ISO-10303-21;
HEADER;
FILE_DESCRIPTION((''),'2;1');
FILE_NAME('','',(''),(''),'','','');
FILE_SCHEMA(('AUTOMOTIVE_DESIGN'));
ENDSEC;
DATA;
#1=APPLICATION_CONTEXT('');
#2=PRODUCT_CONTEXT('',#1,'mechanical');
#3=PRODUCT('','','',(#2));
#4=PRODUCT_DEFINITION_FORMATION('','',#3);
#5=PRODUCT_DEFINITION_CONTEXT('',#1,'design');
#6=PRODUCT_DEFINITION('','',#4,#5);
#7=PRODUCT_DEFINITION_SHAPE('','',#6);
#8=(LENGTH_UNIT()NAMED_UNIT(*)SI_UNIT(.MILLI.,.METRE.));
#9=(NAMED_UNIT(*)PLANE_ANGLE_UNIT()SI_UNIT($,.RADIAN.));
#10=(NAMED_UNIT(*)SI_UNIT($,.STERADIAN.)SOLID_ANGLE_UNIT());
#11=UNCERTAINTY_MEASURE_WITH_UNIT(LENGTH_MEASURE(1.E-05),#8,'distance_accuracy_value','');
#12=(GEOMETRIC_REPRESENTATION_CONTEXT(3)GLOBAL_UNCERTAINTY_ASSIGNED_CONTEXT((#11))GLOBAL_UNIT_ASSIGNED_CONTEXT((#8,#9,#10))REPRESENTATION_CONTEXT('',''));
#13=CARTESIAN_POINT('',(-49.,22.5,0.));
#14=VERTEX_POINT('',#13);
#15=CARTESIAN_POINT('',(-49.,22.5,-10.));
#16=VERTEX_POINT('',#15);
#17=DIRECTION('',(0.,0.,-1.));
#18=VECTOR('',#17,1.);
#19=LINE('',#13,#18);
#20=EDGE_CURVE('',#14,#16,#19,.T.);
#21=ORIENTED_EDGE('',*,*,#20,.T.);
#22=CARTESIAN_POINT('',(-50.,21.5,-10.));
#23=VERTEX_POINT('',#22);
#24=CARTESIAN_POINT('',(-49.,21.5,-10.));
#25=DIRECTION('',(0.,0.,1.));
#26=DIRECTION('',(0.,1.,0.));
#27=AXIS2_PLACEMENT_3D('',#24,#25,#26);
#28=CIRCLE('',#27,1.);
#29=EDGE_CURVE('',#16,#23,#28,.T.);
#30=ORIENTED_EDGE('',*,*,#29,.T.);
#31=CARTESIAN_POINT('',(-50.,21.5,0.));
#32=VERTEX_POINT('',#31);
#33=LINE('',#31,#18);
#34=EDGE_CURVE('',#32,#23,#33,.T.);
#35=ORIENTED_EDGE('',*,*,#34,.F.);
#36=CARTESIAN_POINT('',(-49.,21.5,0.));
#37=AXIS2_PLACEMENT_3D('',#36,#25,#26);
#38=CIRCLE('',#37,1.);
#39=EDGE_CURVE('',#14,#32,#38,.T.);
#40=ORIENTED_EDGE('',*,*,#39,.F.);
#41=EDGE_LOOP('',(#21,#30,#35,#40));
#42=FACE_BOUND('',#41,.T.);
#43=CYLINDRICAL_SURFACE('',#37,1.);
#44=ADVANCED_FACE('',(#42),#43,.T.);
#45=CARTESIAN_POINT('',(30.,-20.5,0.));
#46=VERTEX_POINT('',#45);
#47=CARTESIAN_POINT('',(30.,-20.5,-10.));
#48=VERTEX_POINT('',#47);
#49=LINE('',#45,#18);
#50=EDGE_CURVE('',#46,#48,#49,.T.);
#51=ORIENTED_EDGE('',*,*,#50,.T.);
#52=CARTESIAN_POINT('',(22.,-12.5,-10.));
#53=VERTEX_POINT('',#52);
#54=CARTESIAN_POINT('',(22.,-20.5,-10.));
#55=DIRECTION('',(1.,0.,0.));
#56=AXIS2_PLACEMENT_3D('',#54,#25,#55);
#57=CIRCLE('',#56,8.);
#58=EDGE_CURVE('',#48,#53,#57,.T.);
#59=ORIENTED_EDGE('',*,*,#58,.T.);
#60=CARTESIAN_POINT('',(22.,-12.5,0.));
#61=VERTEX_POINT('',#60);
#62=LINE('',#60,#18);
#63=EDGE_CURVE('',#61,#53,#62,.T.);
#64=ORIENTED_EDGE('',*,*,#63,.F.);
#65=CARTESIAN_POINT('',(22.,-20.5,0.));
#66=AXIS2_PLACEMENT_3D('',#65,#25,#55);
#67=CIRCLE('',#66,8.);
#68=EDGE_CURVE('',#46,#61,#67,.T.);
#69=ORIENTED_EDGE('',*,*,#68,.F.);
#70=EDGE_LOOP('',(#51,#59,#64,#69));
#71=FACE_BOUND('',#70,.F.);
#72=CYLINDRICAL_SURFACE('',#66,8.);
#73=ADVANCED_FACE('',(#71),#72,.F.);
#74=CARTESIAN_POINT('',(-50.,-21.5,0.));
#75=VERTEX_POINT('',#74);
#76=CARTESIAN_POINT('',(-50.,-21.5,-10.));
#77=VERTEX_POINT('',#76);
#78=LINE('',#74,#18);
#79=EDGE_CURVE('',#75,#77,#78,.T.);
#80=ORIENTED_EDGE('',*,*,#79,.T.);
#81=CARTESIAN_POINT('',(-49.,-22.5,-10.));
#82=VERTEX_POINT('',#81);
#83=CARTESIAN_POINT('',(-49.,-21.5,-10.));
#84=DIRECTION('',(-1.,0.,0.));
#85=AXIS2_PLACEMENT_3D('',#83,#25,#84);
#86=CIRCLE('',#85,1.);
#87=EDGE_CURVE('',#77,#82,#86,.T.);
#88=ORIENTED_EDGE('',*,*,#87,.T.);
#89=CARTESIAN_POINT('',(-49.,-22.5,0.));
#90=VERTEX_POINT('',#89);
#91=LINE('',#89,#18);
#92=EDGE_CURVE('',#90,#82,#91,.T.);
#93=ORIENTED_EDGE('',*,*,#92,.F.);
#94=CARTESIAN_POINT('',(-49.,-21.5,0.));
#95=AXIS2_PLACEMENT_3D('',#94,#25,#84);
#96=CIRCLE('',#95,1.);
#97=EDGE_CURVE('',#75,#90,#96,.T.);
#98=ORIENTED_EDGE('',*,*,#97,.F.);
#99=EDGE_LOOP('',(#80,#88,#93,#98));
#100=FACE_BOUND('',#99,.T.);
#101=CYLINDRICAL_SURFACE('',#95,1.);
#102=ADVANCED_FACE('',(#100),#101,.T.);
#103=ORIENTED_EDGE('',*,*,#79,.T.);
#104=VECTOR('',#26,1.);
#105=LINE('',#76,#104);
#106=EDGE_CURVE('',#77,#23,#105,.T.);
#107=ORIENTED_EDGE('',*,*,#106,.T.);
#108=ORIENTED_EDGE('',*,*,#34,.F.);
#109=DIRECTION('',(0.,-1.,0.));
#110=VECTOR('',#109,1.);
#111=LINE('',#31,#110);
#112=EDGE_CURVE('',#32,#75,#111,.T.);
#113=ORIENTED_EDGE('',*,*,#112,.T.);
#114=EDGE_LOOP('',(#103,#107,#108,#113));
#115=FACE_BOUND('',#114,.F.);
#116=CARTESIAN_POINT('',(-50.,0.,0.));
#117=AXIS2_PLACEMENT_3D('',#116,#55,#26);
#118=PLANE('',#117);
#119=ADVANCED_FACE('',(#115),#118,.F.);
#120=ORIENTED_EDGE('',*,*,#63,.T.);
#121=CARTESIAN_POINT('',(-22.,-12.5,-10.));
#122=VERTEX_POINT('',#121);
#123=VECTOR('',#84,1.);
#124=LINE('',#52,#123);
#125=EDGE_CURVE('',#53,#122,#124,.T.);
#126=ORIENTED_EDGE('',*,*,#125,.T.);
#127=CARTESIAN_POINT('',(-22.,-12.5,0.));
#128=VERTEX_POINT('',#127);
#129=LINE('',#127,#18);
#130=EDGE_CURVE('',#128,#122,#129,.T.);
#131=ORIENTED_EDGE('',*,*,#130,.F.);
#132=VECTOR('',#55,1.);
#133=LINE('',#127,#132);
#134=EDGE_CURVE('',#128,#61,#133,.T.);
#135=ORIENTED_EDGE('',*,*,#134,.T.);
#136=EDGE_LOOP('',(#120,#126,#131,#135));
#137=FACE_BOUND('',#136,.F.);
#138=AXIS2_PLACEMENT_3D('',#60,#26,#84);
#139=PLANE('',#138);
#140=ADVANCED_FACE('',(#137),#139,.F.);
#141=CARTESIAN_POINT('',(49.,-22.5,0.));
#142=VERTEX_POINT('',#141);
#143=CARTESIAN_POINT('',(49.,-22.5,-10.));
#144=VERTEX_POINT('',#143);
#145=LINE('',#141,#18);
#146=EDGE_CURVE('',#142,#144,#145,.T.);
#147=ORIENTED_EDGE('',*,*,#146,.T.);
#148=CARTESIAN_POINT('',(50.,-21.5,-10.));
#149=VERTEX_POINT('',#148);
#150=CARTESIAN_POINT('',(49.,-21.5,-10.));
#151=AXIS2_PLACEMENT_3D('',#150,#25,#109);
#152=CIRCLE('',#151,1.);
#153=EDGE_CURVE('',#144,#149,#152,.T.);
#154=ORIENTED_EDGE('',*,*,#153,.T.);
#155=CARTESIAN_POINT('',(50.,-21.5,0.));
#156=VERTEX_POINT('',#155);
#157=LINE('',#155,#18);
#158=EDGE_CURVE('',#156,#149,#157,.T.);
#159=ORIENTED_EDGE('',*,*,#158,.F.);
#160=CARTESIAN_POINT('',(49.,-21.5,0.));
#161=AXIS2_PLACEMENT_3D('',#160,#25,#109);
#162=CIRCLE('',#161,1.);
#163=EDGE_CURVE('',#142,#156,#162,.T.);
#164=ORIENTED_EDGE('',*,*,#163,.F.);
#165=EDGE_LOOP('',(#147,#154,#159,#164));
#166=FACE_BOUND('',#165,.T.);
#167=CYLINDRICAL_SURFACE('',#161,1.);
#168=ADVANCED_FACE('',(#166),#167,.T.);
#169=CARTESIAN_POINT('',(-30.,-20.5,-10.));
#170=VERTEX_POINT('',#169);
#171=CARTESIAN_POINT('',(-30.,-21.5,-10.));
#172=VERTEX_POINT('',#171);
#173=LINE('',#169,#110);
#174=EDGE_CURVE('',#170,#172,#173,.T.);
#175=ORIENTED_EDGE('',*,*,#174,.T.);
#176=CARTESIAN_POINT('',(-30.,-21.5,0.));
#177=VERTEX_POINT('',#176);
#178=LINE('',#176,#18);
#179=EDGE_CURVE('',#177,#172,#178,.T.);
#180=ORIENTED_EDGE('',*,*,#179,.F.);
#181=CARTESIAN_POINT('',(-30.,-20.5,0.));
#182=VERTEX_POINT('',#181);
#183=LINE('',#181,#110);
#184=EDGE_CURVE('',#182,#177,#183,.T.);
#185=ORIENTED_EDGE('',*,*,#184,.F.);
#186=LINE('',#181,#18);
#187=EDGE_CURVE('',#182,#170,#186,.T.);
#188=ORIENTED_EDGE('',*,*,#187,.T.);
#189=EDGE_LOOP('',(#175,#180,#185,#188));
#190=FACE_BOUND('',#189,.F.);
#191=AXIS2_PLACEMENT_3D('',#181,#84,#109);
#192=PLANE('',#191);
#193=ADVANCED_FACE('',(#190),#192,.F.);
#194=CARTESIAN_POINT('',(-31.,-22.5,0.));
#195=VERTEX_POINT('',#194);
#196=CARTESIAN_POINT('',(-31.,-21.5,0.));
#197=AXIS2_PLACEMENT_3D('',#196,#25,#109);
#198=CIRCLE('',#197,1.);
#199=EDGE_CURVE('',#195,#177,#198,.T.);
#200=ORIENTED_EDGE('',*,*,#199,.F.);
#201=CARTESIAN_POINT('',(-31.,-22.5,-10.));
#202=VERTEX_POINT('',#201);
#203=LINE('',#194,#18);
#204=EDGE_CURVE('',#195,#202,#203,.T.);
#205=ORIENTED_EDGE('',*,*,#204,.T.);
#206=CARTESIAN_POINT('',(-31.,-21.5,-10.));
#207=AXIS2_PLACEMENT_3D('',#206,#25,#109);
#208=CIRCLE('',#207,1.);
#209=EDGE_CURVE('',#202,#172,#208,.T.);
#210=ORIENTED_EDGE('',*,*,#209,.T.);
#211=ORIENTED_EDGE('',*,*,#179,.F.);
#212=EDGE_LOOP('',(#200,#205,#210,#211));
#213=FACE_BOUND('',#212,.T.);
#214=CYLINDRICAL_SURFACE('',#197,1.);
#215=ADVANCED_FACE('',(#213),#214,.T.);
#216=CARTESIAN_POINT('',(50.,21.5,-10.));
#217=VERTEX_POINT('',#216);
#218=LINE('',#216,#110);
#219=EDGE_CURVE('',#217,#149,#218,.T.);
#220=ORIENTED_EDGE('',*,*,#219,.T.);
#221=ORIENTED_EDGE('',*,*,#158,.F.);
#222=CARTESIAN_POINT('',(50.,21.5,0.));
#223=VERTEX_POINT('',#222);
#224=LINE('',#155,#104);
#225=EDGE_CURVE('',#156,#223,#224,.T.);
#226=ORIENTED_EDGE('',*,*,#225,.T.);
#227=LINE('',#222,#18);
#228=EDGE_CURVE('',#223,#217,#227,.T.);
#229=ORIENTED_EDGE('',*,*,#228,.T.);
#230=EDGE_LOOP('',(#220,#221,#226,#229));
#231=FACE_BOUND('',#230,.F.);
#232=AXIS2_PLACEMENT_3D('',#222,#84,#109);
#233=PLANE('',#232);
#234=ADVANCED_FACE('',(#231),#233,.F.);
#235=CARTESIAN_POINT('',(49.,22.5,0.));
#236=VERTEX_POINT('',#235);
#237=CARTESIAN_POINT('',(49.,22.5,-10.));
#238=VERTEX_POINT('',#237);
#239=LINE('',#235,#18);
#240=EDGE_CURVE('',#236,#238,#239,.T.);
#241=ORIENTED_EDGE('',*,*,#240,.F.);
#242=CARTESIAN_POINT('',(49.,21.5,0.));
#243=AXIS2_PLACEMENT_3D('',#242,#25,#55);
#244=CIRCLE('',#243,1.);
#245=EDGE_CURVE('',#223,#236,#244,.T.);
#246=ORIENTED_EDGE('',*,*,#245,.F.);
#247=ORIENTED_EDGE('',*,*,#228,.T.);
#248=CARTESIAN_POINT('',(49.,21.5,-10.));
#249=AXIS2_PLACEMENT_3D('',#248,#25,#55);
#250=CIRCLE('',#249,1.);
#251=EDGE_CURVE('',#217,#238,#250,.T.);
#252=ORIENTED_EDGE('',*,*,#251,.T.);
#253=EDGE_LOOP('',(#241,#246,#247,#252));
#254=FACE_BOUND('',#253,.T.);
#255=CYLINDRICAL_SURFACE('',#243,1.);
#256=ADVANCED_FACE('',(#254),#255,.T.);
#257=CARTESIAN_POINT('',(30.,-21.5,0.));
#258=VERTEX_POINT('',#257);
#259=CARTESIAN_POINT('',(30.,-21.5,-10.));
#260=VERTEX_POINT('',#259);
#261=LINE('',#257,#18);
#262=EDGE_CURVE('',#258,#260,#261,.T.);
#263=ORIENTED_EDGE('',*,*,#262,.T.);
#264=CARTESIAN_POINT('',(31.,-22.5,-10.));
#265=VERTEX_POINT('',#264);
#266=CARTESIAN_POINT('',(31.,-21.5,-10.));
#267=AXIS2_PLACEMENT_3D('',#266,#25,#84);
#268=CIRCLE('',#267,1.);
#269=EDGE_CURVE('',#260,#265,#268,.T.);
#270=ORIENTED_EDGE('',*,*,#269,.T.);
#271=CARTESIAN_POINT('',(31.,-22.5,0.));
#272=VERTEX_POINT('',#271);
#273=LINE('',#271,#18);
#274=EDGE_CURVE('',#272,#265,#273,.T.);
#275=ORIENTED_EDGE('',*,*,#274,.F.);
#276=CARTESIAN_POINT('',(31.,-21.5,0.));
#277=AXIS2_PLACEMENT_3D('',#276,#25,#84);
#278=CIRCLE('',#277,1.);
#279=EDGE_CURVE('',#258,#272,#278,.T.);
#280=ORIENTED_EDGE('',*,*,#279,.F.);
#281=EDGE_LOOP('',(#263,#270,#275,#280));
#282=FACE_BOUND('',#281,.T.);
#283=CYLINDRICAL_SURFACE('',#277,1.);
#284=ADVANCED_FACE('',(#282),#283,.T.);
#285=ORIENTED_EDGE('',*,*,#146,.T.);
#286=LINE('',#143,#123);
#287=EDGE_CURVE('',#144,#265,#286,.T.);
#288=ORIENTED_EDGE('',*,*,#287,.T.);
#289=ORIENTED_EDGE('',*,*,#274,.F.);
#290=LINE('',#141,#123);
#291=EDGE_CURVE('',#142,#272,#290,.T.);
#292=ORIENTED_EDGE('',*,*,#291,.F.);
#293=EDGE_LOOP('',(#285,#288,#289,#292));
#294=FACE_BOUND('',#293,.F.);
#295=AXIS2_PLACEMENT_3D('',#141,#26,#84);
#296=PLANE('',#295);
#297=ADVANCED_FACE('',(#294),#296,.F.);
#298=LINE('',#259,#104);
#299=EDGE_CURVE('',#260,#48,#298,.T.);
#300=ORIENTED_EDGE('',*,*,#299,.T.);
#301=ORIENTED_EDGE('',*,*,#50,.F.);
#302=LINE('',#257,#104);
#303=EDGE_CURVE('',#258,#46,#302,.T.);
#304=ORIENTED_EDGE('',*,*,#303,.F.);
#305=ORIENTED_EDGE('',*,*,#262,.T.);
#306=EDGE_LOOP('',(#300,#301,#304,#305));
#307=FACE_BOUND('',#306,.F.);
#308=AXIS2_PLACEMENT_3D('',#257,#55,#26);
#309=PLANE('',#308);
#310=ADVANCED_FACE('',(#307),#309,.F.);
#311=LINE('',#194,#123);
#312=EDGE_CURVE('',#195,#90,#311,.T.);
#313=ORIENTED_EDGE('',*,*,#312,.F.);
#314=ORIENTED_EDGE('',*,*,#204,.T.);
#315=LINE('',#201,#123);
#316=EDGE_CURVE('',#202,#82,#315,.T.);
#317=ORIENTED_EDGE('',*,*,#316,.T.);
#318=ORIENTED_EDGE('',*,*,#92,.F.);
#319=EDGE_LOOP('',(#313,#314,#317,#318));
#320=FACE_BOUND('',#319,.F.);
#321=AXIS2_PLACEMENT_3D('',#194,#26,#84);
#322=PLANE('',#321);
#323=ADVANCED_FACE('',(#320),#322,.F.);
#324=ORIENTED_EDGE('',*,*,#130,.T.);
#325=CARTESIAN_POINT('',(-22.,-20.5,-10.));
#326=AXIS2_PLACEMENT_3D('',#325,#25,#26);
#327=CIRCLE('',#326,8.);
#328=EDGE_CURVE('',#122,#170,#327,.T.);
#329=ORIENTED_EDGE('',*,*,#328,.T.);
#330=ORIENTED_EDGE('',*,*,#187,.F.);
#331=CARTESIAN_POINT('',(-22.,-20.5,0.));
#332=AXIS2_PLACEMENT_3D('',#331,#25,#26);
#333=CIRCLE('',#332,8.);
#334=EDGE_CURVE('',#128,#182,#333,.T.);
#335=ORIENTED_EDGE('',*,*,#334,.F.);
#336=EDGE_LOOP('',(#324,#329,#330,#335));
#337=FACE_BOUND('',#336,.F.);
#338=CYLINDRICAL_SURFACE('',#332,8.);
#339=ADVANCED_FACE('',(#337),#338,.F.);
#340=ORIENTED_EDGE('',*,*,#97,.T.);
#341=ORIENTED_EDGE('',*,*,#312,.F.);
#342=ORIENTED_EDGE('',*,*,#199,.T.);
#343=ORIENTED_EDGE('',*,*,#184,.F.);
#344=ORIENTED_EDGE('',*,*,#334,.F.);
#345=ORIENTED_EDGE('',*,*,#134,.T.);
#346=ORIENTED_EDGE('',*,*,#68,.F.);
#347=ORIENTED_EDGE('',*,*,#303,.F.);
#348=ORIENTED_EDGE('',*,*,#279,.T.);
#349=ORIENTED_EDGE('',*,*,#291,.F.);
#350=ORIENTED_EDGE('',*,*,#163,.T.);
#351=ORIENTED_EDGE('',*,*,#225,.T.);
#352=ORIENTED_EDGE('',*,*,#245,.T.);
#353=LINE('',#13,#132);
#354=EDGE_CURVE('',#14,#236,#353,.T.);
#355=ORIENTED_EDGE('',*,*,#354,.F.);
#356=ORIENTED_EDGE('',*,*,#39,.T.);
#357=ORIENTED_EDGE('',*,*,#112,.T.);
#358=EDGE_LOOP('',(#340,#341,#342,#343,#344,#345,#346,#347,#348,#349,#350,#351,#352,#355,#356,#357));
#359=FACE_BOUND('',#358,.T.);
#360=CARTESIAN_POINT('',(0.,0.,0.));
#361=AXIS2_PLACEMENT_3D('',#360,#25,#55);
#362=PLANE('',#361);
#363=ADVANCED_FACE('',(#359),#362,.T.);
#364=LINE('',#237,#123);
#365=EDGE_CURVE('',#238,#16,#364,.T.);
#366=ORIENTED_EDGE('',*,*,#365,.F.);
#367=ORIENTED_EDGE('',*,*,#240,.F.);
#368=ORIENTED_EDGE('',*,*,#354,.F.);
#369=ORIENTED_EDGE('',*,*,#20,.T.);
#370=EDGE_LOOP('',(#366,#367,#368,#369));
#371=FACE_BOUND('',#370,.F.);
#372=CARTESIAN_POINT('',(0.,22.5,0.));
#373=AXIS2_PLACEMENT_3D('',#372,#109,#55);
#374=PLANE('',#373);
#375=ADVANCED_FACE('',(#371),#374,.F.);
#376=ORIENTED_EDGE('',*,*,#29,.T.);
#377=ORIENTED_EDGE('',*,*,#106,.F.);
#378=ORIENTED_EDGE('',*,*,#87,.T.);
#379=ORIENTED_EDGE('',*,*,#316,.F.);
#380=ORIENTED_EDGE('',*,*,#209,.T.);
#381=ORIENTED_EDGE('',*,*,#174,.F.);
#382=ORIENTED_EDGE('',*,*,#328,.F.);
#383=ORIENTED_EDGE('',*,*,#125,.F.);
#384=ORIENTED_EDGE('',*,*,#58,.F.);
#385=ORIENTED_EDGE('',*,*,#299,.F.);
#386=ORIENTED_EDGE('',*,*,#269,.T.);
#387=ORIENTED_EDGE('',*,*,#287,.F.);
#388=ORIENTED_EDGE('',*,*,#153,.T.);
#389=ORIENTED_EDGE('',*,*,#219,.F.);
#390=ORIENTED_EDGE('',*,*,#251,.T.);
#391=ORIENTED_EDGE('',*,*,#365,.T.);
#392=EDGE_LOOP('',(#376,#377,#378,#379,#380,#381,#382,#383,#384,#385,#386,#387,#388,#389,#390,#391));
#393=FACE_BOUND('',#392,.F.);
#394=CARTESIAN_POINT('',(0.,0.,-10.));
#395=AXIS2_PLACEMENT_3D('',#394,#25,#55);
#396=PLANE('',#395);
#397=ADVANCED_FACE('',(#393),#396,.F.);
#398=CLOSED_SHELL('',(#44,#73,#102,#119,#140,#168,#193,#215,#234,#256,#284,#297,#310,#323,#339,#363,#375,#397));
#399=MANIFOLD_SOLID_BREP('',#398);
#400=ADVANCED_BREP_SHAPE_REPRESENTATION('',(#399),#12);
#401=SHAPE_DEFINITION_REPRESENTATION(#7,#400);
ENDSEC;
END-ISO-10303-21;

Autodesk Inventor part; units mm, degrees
ref_plane "YZ Plane" through (0, 0, 0) normal (1, 0, 0) x (0, 1, 0)
ref_plane "XZ Plane" through (0, 0, 0) normal (0, 1, 0) x (-1, 0, 0)
ref_plane "XY Plane" through (0, 0, 0) normal (0, 0, 1) x (1, 0, 0)
sketch "Sketch1" plane through (0, 0, 0) normal (0, 0, 1) x (1, 0, 0)
  line L0 (0, 31.7899) -> (0, -31.7899) projected
  line L1 (-70.2899, 0) -> (70.2899, 0) projected
  line L2 (-49, 22.5) -> (49, 22.5)
  line L3 (50, 21.5) -> (50, -21.5)
  line L4 (-50, -21.5) -> (-50, 21.5)
  line L5 (30, -21.5) -> (30, -20.5)
  line L6 (22, -12.5) -> (-22, -12.5)
  line L7 (-30, -20.5) -> (-30, -21.5)
  arc A0 (-22, -12.5) -> (-30, -20.5) centre (-22, -20.5) ccw
  arc A1 (30, -20.5) -> (22, -12.5) centre (22, -20.5) ccw
  line L8 (49, -22.5) -> (31, -22.5)
  line L9 (-31, -22.5) -> (-49, -22.5)
  arc A2 (-49, 22.5) -> (-50, 21.5) centre (-49, 21.5) ccw
  arc A3 (50, 21.5) -> (49, 22.5) centre (49, 21.5) ccw
  arc A4 (49, -22.5) -> (50, -21.5) centre (49, -21.5) ccw
  arc A5 (30, -21.5) -> (31, -22.5) centre (31, -21.5) ccw
  arc A6 (-31, -22.5) -> (-30, -21.5) centre (-31, -21.5) ccw
  arc A7 (-50, -21.5) -> (-49, -22.5) centre (-49, -21.5) ccw
  point P0 (0, 0)
  point P1 (-50, 22.5)
  point P2 (50, 22.5)
  point P3 (-50, -22.5)
  dimension "d0" = 100
  dimension "d1" = 45
  dimension "d2" = 20
  dimension "d4" = 8
  dimension "d5" = 1
  dimension "d6" = 1
extrude "Extrusion1" add sketch "Sketch1" against normal blind 10
properties part number "SlipersLåda 211018008"
